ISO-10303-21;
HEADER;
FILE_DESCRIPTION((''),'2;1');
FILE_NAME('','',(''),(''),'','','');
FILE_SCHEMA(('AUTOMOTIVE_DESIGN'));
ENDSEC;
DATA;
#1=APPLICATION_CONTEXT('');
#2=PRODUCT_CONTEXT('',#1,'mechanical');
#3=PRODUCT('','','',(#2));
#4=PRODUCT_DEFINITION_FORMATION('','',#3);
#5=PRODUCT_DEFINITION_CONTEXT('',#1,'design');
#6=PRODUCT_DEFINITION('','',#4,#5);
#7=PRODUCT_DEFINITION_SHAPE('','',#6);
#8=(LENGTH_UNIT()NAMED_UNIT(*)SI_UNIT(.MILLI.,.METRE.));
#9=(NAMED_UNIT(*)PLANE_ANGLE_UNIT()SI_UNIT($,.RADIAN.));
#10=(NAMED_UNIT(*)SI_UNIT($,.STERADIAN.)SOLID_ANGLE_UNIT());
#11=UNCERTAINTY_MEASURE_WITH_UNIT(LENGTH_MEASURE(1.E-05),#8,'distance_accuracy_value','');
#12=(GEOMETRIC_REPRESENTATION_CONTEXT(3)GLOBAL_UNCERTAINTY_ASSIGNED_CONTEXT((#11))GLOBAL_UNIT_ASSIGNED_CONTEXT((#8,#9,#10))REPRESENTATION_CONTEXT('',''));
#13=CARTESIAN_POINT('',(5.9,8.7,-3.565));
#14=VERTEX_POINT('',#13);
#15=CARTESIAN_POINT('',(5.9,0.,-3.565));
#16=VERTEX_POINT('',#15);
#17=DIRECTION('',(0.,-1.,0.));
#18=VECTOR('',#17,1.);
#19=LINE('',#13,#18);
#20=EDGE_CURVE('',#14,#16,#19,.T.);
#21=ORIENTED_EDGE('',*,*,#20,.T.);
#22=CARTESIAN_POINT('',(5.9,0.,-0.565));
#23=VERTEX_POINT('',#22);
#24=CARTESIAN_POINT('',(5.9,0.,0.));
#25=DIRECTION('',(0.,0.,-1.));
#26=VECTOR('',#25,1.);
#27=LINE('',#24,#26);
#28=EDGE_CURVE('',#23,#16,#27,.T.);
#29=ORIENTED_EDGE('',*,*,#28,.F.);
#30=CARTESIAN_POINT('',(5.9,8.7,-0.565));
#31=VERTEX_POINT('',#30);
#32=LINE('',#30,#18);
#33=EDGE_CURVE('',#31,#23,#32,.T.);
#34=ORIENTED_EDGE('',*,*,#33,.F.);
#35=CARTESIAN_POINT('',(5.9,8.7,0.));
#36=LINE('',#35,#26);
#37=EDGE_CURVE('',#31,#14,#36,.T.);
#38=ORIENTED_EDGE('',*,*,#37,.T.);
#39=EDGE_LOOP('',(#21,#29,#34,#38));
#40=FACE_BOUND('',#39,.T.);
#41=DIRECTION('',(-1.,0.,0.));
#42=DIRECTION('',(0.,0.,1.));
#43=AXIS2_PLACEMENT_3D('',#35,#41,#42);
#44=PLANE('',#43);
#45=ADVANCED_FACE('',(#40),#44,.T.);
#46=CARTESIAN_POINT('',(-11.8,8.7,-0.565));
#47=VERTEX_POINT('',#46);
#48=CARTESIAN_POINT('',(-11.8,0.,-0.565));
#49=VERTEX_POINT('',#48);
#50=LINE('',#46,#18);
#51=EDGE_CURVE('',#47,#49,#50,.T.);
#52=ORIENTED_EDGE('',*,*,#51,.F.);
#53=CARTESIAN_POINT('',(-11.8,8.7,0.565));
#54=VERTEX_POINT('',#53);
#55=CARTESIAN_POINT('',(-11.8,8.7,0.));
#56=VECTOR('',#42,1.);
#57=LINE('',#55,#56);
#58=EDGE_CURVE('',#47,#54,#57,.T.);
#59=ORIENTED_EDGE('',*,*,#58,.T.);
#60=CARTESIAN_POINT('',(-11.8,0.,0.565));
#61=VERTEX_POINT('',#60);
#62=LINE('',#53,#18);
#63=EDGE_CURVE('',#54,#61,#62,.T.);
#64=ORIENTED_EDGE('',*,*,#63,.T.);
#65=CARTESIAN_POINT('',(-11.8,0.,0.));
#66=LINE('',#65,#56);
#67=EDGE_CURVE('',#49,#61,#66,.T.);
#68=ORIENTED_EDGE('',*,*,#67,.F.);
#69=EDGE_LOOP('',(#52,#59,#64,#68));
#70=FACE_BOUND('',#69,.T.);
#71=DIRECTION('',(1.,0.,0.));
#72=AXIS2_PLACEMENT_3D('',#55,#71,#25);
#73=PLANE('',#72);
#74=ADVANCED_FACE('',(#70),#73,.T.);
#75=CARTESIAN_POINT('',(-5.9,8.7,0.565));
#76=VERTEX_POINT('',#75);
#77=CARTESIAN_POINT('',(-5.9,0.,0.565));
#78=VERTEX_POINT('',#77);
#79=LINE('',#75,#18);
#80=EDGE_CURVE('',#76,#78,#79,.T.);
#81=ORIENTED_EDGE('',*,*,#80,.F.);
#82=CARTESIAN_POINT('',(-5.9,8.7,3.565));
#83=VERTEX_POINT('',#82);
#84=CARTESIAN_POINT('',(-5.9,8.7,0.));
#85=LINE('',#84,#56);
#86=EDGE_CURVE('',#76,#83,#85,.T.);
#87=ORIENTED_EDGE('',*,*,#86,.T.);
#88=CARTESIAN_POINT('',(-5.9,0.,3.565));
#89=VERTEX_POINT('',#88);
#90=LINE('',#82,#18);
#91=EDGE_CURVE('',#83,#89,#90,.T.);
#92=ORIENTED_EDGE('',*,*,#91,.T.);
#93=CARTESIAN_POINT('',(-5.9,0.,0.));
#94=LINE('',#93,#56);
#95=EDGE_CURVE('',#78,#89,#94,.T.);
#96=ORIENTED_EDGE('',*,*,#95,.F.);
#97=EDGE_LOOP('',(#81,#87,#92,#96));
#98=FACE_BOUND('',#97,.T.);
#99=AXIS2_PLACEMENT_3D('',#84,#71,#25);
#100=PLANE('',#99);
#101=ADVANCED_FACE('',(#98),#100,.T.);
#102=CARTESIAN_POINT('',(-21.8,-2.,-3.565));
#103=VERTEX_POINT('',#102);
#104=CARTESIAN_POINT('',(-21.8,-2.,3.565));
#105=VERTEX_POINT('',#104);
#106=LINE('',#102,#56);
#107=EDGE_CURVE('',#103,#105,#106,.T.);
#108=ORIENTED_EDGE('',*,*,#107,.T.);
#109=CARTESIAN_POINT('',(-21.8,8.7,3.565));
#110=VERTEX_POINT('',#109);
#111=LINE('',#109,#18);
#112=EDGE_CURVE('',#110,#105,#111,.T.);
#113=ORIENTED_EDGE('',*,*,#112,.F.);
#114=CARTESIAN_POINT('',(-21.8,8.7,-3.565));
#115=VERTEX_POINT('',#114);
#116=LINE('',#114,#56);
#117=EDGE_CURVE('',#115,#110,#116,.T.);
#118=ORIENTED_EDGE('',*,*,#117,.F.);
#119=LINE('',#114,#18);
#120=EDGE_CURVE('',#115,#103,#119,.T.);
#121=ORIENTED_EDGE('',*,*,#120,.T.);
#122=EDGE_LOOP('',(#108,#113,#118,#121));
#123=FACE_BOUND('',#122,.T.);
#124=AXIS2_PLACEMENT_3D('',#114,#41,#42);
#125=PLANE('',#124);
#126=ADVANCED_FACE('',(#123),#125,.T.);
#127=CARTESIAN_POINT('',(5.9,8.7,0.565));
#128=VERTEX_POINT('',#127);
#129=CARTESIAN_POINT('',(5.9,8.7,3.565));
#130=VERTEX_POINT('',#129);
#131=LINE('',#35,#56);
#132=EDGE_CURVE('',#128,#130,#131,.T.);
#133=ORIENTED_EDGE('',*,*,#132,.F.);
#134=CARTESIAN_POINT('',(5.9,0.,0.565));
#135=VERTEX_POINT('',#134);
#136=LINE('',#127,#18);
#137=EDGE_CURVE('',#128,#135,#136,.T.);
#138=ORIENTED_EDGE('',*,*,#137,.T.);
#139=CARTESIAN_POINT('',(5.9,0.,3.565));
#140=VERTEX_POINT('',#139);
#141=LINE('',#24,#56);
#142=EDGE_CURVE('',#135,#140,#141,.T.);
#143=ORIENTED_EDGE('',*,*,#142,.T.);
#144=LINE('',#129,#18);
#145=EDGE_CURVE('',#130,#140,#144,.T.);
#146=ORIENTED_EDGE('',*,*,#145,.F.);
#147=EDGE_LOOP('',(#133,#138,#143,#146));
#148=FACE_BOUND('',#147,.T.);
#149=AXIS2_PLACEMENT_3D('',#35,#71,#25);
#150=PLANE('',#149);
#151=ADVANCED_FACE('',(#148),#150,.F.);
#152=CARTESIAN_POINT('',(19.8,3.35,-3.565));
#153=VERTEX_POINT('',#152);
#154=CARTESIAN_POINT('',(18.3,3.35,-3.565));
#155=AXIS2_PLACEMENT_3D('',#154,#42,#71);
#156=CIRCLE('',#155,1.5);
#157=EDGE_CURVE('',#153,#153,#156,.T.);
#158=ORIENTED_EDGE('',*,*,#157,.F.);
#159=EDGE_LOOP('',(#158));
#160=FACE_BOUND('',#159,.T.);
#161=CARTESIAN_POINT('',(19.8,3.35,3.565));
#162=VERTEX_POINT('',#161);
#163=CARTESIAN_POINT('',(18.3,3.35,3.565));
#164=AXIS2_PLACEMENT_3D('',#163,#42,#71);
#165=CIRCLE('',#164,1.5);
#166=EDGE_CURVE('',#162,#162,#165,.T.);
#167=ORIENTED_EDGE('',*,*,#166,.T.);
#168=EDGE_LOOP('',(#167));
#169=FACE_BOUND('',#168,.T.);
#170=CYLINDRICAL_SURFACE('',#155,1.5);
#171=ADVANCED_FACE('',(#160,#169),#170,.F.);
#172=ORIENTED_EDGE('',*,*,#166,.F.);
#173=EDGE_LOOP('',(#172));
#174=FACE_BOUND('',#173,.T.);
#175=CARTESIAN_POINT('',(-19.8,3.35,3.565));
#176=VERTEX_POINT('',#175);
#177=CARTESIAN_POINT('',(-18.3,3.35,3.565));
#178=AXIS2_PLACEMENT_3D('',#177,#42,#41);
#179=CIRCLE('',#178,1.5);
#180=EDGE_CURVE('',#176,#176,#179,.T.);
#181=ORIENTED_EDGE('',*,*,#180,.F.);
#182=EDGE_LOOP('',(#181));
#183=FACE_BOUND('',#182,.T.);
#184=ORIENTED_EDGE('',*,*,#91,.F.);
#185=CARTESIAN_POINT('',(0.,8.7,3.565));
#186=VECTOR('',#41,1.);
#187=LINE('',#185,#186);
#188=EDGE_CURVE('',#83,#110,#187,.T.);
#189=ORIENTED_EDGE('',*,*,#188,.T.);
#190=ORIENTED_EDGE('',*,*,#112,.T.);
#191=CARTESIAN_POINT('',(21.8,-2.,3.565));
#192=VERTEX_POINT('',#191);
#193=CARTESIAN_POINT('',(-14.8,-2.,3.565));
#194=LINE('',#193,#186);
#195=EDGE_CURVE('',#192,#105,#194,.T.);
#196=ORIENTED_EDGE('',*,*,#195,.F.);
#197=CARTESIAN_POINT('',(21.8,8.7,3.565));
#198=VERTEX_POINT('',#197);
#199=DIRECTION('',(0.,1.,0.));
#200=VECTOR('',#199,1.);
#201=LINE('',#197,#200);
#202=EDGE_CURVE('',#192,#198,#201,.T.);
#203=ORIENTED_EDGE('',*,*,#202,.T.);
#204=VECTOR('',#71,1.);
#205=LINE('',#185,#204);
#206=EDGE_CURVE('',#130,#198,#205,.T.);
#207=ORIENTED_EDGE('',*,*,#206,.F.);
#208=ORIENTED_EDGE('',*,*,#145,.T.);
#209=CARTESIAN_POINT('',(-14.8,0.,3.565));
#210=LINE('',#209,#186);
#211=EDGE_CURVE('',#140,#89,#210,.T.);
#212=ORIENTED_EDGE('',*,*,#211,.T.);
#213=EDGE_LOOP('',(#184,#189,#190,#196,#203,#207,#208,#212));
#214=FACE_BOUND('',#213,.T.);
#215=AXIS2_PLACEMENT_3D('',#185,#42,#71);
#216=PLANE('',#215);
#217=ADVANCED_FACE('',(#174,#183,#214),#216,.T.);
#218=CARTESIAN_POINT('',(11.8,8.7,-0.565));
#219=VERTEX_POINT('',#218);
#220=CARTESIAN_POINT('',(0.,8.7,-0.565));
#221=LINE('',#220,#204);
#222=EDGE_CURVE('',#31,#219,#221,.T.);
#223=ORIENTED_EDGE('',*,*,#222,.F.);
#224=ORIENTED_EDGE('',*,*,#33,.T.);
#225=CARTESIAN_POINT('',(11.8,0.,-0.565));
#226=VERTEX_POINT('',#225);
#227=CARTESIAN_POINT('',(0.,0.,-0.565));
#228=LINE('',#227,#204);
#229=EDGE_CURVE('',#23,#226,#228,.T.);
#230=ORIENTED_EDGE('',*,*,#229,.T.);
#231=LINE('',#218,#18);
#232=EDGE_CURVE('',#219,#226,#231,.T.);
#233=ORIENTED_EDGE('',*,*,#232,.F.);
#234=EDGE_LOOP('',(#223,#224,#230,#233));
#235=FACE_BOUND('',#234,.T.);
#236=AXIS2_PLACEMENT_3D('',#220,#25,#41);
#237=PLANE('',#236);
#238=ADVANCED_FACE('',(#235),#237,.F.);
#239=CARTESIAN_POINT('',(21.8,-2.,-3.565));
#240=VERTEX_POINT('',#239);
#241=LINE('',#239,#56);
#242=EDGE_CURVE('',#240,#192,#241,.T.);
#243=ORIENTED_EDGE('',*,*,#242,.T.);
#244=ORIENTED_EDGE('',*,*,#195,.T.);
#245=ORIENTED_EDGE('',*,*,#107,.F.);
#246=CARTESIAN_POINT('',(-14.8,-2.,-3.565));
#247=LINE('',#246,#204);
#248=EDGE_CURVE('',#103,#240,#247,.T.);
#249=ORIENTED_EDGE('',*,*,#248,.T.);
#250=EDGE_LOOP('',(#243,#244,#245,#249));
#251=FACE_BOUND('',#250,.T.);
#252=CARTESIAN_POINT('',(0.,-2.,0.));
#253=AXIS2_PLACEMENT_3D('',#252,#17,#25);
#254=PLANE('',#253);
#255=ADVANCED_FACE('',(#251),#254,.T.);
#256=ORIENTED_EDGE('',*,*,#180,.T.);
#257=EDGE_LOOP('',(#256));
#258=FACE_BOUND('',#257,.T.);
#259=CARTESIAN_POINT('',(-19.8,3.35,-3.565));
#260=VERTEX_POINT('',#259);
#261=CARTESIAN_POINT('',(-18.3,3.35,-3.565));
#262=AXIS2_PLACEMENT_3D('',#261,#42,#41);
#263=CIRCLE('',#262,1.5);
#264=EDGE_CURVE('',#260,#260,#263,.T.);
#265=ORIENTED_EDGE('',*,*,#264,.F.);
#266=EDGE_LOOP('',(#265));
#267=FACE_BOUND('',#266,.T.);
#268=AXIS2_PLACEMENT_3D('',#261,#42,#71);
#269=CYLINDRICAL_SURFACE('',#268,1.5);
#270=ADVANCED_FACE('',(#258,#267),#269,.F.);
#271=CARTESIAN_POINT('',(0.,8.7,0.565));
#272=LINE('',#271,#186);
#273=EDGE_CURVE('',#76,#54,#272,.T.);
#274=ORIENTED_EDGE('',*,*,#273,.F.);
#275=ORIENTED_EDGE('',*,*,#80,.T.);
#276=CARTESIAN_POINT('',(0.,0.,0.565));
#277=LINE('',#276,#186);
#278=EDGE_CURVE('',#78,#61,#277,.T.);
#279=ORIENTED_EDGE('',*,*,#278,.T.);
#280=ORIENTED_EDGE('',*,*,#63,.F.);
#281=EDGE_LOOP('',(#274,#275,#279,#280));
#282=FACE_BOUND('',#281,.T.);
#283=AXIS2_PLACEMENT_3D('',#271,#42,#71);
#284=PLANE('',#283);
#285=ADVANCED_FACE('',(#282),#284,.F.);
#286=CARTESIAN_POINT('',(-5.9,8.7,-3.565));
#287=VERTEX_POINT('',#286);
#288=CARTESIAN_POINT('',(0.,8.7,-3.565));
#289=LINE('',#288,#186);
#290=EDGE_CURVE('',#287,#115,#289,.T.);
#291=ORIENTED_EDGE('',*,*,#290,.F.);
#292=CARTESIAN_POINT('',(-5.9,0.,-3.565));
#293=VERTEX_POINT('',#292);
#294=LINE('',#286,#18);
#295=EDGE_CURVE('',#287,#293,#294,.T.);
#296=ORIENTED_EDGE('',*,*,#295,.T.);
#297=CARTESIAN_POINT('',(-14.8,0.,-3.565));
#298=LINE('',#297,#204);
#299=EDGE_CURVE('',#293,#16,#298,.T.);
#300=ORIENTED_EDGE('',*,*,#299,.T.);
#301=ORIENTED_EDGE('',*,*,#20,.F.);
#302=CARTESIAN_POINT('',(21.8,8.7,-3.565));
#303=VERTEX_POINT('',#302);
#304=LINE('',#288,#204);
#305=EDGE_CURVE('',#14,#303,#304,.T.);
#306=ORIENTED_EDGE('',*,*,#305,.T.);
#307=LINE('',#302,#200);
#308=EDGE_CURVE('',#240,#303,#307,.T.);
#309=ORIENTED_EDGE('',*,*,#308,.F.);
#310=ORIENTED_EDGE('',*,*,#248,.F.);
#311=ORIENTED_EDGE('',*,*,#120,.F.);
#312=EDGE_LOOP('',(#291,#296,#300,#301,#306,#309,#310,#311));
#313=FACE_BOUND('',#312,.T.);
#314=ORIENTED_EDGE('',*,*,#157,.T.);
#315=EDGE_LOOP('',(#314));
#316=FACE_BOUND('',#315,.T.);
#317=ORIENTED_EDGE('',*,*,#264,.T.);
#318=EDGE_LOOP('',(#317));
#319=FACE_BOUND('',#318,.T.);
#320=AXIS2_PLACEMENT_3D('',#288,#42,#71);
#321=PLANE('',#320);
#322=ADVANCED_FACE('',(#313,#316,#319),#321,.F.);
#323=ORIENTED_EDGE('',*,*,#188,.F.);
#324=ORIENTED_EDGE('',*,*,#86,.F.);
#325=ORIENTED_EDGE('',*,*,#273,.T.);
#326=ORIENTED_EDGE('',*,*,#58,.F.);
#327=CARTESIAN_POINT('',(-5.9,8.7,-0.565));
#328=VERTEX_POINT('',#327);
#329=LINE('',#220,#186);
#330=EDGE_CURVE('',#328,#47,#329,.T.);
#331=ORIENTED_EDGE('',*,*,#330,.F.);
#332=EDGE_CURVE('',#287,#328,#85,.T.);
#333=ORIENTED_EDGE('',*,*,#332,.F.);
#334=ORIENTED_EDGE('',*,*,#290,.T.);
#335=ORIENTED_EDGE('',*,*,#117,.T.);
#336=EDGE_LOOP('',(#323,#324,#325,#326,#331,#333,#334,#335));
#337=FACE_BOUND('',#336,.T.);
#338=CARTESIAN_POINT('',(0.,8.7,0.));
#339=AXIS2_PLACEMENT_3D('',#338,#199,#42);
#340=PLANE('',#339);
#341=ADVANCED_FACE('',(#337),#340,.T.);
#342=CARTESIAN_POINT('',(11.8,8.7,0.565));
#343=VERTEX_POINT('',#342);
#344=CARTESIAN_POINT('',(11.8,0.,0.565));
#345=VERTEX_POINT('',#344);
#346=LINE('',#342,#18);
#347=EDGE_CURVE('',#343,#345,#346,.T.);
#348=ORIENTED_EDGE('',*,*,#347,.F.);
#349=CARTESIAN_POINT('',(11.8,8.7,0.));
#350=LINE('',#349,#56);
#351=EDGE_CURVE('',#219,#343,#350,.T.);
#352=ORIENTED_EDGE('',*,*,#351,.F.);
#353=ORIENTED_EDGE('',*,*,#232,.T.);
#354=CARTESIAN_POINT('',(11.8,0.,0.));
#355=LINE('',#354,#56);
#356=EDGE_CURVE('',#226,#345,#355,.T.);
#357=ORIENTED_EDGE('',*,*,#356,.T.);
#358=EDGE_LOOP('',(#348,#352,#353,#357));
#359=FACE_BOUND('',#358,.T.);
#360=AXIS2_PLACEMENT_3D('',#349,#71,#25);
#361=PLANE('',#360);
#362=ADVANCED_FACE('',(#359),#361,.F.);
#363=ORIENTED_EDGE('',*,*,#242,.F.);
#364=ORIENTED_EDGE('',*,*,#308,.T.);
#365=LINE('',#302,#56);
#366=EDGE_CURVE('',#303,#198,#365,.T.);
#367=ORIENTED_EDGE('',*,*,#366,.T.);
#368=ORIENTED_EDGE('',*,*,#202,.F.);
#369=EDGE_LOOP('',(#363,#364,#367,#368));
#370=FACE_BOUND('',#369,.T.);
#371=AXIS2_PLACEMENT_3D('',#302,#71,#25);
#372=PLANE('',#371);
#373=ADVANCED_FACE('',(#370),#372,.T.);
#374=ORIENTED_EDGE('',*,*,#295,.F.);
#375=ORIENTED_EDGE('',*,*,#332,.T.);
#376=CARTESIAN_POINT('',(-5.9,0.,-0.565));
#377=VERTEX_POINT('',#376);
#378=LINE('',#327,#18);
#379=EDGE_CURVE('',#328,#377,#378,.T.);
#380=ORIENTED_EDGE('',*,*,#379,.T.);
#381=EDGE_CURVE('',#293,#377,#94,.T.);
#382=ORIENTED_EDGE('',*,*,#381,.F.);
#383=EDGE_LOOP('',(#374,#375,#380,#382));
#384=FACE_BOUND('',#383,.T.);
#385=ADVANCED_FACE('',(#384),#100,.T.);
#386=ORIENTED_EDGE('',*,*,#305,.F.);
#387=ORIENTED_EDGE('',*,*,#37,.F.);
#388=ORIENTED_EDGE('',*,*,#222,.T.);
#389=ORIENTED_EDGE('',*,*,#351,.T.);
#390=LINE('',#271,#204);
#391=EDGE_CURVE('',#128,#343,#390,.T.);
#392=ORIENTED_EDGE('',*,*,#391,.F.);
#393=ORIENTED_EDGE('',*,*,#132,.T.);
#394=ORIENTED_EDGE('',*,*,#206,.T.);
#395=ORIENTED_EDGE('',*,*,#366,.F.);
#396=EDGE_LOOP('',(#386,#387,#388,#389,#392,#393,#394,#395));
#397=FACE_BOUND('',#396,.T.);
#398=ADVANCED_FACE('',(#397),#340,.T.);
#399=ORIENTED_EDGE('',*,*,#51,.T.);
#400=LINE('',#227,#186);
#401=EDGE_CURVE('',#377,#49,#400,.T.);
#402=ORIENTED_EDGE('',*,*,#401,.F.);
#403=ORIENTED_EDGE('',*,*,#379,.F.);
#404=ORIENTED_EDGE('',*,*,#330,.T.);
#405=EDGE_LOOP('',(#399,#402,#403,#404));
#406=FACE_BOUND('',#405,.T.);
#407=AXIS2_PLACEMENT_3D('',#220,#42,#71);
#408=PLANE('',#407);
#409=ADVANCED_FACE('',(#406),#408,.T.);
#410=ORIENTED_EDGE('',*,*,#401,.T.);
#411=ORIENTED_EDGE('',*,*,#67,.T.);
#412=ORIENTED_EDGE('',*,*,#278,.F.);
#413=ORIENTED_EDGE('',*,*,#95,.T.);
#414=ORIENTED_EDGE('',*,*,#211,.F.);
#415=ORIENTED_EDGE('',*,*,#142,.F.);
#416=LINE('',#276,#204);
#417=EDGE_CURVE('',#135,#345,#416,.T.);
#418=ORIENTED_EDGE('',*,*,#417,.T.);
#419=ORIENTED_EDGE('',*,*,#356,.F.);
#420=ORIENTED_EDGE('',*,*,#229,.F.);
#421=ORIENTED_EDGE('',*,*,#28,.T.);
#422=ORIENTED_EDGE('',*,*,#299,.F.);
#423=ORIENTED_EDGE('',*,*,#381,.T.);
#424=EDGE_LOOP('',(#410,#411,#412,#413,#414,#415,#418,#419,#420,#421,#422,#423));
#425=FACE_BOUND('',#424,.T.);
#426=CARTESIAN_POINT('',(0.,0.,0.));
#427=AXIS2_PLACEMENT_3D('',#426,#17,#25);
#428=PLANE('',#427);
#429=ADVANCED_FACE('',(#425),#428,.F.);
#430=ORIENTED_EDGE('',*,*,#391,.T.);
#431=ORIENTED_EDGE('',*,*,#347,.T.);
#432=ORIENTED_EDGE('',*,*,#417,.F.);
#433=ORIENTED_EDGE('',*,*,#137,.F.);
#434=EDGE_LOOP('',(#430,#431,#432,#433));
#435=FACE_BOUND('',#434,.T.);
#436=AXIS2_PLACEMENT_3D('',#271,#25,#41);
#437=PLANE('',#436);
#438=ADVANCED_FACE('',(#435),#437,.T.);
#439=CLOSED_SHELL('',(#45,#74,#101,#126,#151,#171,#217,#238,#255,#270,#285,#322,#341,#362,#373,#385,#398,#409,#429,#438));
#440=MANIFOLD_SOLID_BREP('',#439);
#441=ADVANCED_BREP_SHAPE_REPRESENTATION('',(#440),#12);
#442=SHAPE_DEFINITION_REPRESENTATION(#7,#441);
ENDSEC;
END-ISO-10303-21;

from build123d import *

# Parameters (mm, degrees)
BOSS_EXTRUDE1_DEPTH   = 8.7
BOSS_EXTRUDE1_2_DEPTH = 8.7
SKETCH3_W             = 29.6
SKETCH3_H             = 7.13
BOSS_EXTRUDE2_DEPTH   = 2
SKETCH4_W             = 7
SKETCH4_H             = 10.7
SKETCH4_R             = 1.5
BOSS_EXTRUDE3_DEPTH   = 7.13


with BuildPart() as part:
    # Sketch2 → Boss-Extrude1 (new body)
    with BuildSketch(Plane(origin=(0, 0, 0), x_dir=(1, 0, 0), z_dir=(0, 1, 0))):
        Polygon((-5.9, 3.565), (-5.9, 0.565), (-11.8, 0.565), (-11.8, -0.565), (-5.9, -0.565), (-5.9, -3.565), (-14.8, -3.565), (-14.8, 3.565), align=None)
    extrude(amount=BOSS_EXTRUDE1_DEPTH)



with BuildPart() as body_2:
    # Sketch2 → Boss-Extrude1 2 (new body)
    with BuildSketch(Plane(origin=(0, 0, 0), x_dir=(1, 0, 0), z_dir=(0, 1, 0))):
        Polygon((5.9, -0.565), (11.8, -0.565), (11.8, 0.565), (5.9, 0.565), (5.9, 3.565), (14.8, 3.565), (14.8, -3.565), (5.9, -3.565), align=None)
    extrude(amount=BOSS_EXTRUDE1_2_DEPTH)


with BuildPart() as part_1:
    add(part.part)

    add(body_2.part)  # Boss-Extrude2 merges body 2
    # Sketch3 → Boss-Extrude2 (add)
    with BuildSketch(Plane.XZ):
        Rectangle(SKETCH3_W, SKETCH3_H)
    extrude(amount=BOSS_EXTRUDE2_DEPTH)

    # Sketch4 → Boss-Extrude3 (add)
    with BuildSketch(Plane.XY.offset(3.565)):
        with Locations((18.3, 3.35)):
            Rectangle(SKETCH4_W, SKETCH4_H)
        with Locations((18.3, 3.35)):
            Circle(SKETCH4_R, mode=Mode.SUBTRACT)
        with Locations((-18.3, 3.35)):
            Rectangle(SKETCH4_W, SKETCH4_H)
        with Locations((-18.3, 3.35)):
            Circle(SKETCH4_R, mode=Mode.SUBTRACT)
    extrude(amount=-BOSS_EXTRUDE3_DEPTH)


solid = part_1.part
